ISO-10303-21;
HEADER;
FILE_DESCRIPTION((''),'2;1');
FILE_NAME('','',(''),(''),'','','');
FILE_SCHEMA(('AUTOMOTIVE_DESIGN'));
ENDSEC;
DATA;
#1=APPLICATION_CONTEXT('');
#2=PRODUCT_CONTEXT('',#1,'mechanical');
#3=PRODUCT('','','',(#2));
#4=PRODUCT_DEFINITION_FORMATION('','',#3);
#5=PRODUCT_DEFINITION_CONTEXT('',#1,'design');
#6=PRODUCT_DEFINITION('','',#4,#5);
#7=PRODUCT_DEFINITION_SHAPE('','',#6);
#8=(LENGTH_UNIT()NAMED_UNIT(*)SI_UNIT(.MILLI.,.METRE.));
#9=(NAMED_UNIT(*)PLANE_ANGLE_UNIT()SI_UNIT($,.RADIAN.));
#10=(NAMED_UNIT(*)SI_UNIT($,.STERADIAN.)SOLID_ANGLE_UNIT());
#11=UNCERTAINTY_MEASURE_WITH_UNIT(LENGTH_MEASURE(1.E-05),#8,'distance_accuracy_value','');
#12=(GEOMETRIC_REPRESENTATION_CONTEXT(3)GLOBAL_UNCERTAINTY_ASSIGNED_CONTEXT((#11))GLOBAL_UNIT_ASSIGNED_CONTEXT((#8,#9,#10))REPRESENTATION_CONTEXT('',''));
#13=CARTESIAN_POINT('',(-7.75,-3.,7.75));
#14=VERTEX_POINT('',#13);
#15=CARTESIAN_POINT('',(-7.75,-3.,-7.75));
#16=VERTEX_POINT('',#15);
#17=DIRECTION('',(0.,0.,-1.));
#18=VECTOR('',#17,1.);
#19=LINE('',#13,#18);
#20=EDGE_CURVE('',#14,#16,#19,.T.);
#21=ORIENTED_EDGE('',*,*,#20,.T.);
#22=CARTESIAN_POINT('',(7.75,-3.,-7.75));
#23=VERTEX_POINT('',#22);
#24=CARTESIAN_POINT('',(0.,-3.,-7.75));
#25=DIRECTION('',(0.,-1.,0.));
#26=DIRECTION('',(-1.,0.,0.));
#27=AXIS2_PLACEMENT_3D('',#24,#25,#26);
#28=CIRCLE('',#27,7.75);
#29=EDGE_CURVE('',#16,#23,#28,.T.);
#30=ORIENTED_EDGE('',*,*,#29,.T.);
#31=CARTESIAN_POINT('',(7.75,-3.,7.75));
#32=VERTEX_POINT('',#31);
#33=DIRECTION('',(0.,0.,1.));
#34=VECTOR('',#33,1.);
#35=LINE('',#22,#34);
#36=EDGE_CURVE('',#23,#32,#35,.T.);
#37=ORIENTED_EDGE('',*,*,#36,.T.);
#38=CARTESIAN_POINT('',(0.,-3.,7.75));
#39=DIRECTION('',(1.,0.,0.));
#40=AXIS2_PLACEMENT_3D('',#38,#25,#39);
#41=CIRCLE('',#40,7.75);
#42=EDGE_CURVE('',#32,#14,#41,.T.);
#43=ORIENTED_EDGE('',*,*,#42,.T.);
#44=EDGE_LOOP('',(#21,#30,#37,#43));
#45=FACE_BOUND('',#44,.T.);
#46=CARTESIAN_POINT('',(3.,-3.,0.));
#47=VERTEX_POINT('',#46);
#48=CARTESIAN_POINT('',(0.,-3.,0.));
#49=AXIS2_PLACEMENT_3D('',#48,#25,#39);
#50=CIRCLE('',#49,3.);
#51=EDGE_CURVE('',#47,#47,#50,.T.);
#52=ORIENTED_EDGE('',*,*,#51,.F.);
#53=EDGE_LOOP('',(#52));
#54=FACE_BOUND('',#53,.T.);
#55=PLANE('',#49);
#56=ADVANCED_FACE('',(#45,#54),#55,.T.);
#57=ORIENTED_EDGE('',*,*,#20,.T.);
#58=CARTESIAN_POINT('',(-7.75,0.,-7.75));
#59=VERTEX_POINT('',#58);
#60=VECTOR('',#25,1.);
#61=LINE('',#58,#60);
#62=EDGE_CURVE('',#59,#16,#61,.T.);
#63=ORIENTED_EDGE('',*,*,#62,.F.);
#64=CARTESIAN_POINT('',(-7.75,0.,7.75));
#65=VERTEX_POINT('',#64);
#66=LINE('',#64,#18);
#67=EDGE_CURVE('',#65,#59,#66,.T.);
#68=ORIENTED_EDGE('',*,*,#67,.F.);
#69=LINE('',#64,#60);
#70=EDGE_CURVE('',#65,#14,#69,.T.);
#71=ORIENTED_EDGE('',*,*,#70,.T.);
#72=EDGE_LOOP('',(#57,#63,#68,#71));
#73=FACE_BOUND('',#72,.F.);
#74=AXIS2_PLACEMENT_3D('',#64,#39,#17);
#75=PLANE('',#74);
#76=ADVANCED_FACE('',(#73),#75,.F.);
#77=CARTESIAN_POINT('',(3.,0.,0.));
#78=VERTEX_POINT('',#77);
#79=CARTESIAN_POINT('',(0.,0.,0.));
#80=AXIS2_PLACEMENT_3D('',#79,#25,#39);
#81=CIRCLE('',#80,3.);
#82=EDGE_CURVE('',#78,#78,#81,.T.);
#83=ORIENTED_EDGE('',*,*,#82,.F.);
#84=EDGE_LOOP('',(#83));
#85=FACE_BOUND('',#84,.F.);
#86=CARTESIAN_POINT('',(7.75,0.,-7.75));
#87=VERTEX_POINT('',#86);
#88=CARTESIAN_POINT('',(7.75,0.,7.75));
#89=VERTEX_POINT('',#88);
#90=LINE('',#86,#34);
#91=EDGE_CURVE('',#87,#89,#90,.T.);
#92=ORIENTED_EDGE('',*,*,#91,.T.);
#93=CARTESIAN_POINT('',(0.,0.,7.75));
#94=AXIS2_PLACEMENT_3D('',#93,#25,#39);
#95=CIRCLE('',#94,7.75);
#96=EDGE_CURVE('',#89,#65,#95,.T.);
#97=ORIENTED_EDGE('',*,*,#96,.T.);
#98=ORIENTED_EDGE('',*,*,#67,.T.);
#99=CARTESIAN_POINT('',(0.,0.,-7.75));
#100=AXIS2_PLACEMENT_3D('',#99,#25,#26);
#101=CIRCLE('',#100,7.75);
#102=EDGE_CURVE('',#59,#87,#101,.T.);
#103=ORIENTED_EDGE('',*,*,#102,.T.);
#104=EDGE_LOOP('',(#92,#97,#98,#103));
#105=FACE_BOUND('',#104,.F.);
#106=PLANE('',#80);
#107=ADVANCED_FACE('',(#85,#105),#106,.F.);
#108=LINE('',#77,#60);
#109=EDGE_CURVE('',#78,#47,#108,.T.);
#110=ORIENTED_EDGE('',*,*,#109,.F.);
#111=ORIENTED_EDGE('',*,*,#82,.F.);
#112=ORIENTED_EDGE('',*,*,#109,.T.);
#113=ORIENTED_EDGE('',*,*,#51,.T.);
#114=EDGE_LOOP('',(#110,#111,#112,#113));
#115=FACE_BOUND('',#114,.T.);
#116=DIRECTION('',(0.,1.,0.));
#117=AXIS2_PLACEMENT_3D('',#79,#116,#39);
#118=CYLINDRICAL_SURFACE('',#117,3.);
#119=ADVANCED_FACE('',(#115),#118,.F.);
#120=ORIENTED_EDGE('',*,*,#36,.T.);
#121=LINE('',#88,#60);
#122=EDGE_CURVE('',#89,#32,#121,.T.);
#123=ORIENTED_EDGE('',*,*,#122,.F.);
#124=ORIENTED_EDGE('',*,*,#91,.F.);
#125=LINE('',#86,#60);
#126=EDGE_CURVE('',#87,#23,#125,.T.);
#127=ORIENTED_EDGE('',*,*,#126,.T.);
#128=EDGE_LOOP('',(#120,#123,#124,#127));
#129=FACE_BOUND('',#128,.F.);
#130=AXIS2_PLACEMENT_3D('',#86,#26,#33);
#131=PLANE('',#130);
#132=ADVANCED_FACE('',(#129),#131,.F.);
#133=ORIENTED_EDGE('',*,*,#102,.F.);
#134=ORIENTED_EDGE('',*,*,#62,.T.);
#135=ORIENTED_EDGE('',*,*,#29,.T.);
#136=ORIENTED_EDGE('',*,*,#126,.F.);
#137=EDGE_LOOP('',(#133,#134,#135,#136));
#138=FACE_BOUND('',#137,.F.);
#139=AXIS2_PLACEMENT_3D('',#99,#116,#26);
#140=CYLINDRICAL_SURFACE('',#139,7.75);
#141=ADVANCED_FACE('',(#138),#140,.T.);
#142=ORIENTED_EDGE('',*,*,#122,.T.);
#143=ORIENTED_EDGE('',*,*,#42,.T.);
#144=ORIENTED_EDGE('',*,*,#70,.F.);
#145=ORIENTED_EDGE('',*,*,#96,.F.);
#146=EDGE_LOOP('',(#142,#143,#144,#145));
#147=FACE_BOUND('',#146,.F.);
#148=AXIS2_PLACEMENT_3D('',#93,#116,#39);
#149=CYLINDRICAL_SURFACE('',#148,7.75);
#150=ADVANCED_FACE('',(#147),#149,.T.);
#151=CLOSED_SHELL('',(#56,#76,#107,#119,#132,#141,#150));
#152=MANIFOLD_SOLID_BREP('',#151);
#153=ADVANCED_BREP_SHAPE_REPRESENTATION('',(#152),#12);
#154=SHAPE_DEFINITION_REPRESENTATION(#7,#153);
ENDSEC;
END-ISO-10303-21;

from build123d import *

# Parameters (mm, degrees)
F0_R     = 3
F1_DEPTH = 3


with BuildPart() as f1:
    # F0 (on Front) → F1 (new body)
    with BuildSketch(Plane.XZ):
        with BuildLine():
            ThreePointArc((7.75, 7.75), (0, 15.5), (-7.75, 7.75))
            Line((-7.75, 7.75), (-7.75, -7.75))
            ThreePointArc((-7.75, -7.75), (0, -15.5), (7.75, -7.75))
            Line((7.75, -7.75), (7.75, 7.75))
        make_face()
        Circle(F0_R, mode=Mode.SUBTRACT)
    extrude(amount=F1_DEPTH)


solid = f1.part
